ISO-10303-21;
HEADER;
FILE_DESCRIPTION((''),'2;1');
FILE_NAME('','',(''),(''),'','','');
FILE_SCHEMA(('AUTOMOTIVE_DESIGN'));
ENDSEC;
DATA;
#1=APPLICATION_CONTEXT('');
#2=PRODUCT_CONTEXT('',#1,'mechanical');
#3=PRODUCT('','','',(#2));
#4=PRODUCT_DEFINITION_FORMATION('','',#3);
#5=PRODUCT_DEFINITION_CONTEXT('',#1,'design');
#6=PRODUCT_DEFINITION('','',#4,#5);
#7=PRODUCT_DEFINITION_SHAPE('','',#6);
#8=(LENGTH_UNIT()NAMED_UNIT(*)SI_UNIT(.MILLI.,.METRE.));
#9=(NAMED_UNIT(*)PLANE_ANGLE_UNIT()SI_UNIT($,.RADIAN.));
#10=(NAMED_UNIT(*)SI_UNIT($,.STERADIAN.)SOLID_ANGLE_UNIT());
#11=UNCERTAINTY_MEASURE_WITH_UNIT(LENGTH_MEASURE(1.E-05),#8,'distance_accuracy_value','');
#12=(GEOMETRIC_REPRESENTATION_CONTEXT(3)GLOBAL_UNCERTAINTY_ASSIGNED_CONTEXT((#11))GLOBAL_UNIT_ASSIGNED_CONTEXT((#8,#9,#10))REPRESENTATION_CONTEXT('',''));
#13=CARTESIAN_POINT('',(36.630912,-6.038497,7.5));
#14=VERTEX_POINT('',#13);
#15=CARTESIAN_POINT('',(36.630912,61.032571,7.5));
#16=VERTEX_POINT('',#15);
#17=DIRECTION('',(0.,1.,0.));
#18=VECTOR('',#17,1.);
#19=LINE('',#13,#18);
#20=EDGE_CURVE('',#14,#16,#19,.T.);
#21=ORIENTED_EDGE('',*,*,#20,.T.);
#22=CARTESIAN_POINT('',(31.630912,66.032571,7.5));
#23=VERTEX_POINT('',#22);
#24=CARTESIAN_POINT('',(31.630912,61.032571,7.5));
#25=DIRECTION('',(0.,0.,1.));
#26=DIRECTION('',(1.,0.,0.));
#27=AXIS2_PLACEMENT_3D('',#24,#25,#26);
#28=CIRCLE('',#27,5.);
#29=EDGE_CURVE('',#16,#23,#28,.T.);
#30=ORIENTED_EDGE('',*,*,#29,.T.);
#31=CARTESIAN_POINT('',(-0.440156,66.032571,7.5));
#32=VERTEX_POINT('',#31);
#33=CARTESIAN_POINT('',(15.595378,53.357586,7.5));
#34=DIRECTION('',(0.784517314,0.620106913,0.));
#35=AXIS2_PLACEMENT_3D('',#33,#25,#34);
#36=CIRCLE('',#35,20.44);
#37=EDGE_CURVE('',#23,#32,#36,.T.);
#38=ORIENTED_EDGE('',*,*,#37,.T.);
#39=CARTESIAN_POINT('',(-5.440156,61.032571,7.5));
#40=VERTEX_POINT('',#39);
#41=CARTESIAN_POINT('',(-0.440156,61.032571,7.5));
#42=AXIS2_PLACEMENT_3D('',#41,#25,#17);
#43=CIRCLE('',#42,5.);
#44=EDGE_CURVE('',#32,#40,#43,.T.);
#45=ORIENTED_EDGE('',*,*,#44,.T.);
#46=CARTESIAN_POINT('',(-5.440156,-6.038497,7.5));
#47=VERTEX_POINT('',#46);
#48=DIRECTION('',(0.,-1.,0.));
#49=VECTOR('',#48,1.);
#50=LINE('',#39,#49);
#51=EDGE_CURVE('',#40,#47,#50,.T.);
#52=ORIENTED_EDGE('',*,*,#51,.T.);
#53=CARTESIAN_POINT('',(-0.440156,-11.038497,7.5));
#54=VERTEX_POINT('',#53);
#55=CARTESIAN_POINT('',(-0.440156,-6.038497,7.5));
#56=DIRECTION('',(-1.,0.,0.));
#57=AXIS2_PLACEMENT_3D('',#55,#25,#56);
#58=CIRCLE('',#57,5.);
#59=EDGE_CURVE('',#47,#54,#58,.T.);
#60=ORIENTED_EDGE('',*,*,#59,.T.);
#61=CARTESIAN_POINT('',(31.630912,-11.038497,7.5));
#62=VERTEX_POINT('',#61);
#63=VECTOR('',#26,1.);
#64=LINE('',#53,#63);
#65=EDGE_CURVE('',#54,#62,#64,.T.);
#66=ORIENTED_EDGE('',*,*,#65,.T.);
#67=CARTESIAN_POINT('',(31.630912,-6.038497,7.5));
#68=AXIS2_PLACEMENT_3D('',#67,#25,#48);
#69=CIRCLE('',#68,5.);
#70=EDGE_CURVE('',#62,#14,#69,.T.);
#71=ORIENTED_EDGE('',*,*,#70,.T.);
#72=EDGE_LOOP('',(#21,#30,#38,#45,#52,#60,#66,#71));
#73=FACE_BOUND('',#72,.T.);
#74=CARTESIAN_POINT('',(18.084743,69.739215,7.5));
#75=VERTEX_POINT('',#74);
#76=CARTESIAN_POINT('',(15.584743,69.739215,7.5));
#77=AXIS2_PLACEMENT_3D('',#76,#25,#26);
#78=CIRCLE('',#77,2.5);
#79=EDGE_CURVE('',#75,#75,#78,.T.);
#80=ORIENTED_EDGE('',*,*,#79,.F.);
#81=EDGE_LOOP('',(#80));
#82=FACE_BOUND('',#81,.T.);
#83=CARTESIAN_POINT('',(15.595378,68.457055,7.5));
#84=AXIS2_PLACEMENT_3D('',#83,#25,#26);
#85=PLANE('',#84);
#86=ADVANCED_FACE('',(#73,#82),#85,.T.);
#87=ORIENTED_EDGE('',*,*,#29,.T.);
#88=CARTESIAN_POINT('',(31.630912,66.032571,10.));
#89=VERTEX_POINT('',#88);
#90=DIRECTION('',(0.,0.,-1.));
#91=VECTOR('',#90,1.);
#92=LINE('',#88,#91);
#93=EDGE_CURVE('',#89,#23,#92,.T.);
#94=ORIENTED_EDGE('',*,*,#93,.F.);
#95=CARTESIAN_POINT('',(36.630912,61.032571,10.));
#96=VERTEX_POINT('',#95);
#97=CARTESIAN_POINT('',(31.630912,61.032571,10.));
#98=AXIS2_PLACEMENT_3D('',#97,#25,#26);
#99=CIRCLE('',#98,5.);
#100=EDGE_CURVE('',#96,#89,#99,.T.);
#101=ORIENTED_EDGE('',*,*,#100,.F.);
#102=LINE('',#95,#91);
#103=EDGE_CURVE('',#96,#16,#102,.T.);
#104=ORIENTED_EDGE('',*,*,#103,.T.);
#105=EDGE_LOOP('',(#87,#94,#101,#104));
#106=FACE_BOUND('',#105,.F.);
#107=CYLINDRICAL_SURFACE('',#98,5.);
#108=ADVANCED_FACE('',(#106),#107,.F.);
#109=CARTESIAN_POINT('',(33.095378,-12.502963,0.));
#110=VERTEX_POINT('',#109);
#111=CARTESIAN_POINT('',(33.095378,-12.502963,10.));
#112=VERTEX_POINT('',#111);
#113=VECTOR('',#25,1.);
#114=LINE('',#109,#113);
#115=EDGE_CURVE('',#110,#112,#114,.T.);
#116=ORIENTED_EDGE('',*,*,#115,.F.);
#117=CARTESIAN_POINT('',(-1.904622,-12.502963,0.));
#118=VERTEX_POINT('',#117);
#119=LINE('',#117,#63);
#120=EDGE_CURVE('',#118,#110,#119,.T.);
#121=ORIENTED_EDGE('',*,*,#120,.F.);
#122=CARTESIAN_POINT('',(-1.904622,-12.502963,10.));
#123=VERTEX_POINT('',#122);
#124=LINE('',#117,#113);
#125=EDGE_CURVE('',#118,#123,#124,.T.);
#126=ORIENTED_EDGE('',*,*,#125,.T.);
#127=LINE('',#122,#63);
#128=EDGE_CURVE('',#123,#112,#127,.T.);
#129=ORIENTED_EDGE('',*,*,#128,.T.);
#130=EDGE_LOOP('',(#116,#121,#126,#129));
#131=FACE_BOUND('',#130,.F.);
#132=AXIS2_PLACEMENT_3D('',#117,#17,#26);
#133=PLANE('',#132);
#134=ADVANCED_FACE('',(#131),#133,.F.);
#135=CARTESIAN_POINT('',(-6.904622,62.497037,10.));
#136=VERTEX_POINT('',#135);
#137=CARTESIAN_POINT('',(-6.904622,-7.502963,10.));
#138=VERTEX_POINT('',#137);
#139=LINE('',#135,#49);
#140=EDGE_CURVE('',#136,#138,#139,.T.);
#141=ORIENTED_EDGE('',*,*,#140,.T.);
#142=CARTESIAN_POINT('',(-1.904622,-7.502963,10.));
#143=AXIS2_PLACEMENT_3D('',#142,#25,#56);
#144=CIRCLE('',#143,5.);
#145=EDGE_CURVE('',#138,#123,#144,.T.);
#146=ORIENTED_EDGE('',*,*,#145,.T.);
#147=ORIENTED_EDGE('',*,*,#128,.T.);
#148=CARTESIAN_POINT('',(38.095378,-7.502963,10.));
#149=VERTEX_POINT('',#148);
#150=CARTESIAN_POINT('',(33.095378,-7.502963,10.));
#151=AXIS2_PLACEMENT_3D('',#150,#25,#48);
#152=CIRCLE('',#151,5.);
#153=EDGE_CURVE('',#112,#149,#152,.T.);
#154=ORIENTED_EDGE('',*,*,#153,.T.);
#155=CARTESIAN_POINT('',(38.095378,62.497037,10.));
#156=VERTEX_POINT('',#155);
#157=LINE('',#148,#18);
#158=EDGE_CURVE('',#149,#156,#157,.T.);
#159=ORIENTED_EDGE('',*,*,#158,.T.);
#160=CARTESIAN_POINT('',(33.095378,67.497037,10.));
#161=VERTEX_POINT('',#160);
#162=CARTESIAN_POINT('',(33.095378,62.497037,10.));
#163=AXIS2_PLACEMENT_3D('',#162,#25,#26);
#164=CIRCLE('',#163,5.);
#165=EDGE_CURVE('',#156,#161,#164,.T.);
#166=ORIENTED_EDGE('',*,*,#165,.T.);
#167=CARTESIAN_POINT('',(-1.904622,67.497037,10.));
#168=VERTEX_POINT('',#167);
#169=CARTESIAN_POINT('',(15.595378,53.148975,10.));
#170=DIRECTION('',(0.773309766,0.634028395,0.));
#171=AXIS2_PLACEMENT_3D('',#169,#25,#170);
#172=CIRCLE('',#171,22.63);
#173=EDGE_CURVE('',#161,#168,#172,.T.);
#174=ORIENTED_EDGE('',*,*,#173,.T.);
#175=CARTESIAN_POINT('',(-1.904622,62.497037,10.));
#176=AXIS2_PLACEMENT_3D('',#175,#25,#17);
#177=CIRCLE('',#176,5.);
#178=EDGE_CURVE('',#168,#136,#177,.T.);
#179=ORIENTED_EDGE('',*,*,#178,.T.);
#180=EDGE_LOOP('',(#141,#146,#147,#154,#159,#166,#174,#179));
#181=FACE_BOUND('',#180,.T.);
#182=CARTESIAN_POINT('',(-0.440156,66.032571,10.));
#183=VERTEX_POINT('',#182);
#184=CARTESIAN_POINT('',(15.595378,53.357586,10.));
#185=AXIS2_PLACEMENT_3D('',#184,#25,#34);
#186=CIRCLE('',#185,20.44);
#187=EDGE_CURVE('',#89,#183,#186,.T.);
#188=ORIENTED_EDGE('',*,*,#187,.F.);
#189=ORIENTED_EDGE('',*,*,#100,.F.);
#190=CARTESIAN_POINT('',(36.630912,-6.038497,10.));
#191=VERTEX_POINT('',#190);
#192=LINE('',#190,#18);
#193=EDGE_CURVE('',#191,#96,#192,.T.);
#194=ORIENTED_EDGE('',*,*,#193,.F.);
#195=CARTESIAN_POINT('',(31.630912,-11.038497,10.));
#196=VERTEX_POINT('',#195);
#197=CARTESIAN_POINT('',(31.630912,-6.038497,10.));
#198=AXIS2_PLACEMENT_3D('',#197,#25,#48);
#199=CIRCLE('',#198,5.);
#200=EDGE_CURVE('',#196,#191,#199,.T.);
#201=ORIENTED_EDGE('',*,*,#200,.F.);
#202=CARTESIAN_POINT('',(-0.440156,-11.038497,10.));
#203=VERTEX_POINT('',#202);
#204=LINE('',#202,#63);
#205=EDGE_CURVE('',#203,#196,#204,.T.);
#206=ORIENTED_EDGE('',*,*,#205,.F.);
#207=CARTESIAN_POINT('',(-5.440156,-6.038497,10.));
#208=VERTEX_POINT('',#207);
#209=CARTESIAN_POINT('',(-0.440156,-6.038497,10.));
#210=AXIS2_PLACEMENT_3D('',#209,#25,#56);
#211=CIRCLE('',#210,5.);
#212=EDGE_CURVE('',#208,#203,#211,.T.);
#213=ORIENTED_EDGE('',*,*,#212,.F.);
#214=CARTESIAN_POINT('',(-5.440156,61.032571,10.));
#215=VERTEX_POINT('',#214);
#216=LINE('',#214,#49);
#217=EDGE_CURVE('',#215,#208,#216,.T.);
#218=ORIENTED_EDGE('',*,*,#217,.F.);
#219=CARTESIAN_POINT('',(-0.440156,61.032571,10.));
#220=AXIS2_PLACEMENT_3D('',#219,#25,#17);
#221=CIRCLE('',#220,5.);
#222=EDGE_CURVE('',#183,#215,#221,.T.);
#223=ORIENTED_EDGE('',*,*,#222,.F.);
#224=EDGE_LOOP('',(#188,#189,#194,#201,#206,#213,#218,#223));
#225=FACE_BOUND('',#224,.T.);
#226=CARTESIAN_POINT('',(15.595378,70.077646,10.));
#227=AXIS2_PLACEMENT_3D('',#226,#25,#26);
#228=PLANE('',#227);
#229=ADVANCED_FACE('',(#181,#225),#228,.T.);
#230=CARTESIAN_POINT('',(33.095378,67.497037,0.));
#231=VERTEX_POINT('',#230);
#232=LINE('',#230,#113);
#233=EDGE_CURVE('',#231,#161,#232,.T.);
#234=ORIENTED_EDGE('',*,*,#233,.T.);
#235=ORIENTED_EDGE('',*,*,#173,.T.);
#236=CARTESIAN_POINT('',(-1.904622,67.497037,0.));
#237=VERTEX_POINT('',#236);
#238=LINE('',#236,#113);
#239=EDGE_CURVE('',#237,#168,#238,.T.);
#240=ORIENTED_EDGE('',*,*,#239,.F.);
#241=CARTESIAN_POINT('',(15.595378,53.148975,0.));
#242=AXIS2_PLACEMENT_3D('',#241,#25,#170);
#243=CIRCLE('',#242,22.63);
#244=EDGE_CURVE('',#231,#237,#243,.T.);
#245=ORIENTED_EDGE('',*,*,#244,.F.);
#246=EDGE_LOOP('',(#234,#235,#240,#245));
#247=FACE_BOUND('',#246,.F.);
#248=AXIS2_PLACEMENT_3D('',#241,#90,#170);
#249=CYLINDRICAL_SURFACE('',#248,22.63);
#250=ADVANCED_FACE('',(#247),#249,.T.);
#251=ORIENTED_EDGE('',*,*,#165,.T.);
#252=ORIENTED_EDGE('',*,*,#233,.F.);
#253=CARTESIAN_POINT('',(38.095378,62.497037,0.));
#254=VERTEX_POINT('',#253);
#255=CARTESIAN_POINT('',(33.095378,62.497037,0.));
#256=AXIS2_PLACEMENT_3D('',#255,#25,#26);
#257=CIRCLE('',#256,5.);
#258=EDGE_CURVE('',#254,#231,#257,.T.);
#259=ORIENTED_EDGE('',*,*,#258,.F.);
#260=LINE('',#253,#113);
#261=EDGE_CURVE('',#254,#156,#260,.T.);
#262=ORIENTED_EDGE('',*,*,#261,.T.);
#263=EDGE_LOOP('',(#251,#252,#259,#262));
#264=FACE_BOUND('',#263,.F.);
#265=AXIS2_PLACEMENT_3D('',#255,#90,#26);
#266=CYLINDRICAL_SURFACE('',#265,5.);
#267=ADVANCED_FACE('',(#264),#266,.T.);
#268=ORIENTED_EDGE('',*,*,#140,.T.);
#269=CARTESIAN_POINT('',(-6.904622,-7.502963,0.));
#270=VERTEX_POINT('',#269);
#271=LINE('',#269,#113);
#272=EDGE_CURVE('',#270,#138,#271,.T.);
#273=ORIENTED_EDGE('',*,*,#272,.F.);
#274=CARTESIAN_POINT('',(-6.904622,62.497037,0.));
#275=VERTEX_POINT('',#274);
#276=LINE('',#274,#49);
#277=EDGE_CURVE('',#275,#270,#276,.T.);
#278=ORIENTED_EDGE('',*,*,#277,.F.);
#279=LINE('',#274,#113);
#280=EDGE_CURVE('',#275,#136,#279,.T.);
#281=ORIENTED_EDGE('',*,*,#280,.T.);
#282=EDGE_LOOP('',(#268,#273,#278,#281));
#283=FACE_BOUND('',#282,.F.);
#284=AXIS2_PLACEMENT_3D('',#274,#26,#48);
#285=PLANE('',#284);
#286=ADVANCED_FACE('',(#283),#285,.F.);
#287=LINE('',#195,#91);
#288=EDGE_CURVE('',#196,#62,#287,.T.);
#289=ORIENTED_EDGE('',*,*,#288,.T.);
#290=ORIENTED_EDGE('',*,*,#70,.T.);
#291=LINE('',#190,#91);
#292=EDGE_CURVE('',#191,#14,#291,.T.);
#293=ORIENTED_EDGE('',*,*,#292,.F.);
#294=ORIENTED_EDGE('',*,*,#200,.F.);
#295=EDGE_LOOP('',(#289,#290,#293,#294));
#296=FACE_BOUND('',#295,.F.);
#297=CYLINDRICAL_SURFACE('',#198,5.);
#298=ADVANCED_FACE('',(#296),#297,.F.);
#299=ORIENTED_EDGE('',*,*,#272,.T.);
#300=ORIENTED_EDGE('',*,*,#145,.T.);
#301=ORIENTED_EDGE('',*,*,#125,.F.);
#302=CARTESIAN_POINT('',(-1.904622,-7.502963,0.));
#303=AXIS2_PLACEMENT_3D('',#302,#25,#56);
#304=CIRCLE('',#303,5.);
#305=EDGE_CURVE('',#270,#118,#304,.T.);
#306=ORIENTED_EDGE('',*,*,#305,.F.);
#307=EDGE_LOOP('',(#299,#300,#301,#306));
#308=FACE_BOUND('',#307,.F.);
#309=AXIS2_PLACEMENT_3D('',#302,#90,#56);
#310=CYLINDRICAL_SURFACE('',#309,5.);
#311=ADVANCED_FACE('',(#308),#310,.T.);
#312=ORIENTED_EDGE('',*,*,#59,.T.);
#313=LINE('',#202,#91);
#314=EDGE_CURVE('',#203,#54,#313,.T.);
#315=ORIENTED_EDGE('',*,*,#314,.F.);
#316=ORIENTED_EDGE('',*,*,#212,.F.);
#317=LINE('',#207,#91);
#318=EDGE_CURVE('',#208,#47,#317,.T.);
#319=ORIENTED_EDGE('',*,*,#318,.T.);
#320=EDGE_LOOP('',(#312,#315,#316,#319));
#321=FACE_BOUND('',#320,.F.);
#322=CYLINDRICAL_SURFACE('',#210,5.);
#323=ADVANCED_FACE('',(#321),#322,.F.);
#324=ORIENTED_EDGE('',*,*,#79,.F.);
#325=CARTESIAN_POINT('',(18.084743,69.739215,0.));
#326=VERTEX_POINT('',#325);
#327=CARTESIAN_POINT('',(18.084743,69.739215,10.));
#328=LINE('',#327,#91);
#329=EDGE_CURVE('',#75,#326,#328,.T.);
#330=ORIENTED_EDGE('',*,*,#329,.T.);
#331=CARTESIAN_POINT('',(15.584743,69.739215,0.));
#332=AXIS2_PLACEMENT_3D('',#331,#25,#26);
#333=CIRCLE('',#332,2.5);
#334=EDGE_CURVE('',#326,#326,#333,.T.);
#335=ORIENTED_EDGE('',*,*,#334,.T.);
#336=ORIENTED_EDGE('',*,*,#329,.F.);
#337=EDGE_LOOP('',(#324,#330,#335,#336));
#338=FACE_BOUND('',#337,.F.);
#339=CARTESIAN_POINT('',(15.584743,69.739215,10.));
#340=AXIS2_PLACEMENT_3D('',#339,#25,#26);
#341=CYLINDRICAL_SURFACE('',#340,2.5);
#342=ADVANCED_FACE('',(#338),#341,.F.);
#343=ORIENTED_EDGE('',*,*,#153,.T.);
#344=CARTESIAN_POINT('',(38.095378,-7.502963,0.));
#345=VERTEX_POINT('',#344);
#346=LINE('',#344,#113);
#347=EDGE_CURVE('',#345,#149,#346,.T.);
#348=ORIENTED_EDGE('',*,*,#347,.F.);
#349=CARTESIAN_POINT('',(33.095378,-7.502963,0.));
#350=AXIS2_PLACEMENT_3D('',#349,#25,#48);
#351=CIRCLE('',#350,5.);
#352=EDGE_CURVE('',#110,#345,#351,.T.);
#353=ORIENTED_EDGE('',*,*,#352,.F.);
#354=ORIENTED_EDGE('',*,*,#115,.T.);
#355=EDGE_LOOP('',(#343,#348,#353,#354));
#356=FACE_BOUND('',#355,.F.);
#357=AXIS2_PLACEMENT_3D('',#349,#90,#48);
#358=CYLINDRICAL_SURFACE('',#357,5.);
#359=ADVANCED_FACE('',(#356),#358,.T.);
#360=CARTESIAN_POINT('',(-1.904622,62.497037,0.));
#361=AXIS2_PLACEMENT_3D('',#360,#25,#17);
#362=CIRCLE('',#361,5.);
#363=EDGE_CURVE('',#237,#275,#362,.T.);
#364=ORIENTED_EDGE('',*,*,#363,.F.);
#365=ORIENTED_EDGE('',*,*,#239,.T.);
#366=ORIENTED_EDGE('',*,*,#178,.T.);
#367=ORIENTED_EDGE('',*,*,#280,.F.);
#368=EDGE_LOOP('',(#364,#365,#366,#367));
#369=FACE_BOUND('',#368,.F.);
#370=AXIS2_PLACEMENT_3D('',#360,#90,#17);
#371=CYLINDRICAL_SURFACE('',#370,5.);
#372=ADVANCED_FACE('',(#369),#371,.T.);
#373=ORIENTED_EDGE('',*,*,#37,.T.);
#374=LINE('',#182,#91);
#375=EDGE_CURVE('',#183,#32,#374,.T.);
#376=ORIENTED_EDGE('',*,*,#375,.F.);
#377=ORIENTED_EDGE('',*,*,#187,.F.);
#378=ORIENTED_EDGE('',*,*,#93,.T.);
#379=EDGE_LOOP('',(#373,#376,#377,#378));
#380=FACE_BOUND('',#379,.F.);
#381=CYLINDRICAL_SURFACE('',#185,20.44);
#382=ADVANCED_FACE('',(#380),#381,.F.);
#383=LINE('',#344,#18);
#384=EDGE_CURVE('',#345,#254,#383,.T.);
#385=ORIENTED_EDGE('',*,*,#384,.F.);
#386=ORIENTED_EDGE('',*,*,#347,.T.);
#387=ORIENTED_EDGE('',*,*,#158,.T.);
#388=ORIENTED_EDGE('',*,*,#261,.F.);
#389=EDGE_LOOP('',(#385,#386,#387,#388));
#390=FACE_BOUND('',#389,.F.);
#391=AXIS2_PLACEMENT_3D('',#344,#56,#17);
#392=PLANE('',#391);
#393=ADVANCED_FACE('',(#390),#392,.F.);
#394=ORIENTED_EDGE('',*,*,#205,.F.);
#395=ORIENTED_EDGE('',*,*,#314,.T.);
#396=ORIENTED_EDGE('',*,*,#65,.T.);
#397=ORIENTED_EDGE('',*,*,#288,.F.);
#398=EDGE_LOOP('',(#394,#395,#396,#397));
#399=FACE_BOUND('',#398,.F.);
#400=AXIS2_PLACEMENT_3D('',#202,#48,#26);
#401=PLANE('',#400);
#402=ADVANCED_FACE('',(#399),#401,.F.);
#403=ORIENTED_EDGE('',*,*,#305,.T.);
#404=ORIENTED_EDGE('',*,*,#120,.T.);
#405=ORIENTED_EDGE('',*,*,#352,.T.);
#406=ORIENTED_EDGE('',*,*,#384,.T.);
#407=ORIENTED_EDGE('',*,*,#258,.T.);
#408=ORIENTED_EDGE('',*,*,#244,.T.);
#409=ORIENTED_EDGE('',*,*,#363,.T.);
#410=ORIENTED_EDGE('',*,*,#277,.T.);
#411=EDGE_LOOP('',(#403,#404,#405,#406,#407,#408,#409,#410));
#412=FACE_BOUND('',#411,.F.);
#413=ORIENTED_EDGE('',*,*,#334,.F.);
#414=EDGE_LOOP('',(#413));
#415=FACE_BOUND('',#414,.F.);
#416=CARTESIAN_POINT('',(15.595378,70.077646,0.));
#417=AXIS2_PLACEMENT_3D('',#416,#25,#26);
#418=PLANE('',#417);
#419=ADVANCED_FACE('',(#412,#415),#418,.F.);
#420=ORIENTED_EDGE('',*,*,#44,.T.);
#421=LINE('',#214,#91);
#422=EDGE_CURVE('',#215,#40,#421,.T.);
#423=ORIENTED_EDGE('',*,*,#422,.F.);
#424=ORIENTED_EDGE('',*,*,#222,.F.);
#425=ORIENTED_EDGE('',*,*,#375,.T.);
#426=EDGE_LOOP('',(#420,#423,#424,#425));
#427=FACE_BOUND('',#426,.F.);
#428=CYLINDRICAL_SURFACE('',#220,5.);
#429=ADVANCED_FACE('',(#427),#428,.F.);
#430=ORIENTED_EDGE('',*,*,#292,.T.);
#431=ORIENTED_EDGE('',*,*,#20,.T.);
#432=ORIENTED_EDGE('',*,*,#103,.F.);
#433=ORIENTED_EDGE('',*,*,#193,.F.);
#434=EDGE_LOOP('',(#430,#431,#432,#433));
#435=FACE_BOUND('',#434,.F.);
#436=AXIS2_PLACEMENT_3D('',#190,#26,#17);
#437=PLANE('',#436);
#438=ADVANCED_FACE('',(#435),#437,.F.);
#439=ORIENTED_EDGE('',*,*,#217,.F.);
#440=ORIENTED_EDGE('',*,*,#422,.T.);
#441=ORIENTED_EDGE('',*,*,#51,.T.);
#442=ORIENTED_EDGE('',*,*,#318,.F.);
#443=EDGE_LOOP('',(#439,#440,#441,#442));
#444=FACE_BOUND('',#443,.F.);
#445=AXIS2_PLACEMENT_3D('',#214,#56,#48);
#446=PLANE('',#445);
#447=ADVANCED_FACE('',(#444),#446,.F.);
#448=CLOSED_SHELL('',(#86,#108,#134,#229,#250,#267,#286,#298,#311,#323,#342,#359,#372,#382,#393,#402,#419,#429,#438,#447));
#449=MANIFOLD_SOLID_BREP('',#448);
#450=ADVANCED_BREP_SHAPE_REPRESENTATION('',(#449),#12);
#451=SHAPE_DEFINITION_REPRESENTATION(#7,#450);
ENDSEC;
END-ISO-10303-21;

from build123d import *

# Parameters (mm, degrees)
F1_DEPTH = 10
F2_R     = 2.5
F3_DEPTH = 2.5
F4_DEPTH = 40.9


with BuildPart() as f1:
    # F0 (on Top) → F1 (new body)
    with BuildSketch(Plane.XY):
        with BuildLine():
            ThreePointArc((33.0953783914, 67.4970372766), (15.5953783914, 75.7789746896), (-1.9046216086, 67.4970372766))
            Line((-1.9046216086, 67.4970372766), (33.0953783914, 67.4970372766))
        make_face()
        with BuildLine():
            ThreePointArc((-6.9046216086, -7.5029627234), (-5.4401555145, -11.0384966293), (-1.9046216086, -12.5029627234))
            Line((-1.9046216086, -12.5029627234), (33.0953783914, -12.5029627234))
            ThreePointArc((33.0953783914, -12.5029627234), (36.6309122974, -11.0384966293), (38.0953783914, -7.5029627234))
            Line((38.0953783914, -7.5029627234), (38.0953783914, 62.4970372766))
            ThreePointArc((38.0953783914, 62.4970372766), (36.6309122974, 66.0325711826), (33.0953783914, 67.4970372766))
            Line((33.0953783914, 67.4970372766), (-1.9046216086, 67.4970372766))
            ThreePointArc((-1.9046216086, 67.4970372766), (-5.4401555145, 66.0325711826), (-6.9046216086, 62.4970372766))
            Line((-6.9046216086, 62.4970372766), (-6.9046216086, -7.5029627234))
        make_face()
    extrude(amount=F1_DEPTH)

    # F2 (on face) → F3 (cut)
    with BuildSketch(Plane.XY.offset(10)):
        with BuildLine():
            ThreePointArc((31.6309122974, 66.0325711826), (15.5953783914, 73.7975858827), (-0.4401555145, 66.0325711826))
            Line((-0.4401555145, 66.0325711826), (31.6309122974, 66.0325711826))
        make_face()
        with Locations((15.5847426504, 69.739215076)):
            Circle(F2_R, mode=Mode.SUBTRACT)
        with BuildLine():
            ThreePointArc((-5.4401555145, -6.0384966293), (-3.9756894204, -9.5740305352), (-0.4401555145, -11.0384966293))
            Line((-0.4401555145, -11.0384966293), (31.6309122974, -11.0384966293))
            ThreePointArc((31.6309122974, -11.0384966293), (35.1664462033, -9.5740305352), (36.6309122974, -6.0384966293))
            Line((36.6309122974, -6.0384966293), (36.6309122974, 61.0325711826))
            ThreePointArc((36.6309122974, 61.0325711826), (35.1664462033, 64.5681050885), (31.6309122974, 66.0325711826))
            Line((31.6309122974, 66.0325711826), (-0.4401555145, 66.0325711826))
            ThreePointArc((-0.4401555145, 66.0325711826), (-3.9756894204, 64.5681050885), (-5.4401555145, 61.0325711826))
            Line((-5.4401555145, 61.0325711826), (-5.4401555145, -6.0384966293))
        make_face()
    extrude(amount=-F3_DEPTH, mode=Mode.SUBTRACT)

    # F4 (cut): a face of the model
    f4_faces = [f1.faces().sort_by_distance(p)[0] for p in [
        (15.5847426504, 69.739215076, 10),
    ]]
    extrude(f4_faces, amount=-F4_DEPTH, mode=Mode.SUBTRACT)


solid = f1.part
